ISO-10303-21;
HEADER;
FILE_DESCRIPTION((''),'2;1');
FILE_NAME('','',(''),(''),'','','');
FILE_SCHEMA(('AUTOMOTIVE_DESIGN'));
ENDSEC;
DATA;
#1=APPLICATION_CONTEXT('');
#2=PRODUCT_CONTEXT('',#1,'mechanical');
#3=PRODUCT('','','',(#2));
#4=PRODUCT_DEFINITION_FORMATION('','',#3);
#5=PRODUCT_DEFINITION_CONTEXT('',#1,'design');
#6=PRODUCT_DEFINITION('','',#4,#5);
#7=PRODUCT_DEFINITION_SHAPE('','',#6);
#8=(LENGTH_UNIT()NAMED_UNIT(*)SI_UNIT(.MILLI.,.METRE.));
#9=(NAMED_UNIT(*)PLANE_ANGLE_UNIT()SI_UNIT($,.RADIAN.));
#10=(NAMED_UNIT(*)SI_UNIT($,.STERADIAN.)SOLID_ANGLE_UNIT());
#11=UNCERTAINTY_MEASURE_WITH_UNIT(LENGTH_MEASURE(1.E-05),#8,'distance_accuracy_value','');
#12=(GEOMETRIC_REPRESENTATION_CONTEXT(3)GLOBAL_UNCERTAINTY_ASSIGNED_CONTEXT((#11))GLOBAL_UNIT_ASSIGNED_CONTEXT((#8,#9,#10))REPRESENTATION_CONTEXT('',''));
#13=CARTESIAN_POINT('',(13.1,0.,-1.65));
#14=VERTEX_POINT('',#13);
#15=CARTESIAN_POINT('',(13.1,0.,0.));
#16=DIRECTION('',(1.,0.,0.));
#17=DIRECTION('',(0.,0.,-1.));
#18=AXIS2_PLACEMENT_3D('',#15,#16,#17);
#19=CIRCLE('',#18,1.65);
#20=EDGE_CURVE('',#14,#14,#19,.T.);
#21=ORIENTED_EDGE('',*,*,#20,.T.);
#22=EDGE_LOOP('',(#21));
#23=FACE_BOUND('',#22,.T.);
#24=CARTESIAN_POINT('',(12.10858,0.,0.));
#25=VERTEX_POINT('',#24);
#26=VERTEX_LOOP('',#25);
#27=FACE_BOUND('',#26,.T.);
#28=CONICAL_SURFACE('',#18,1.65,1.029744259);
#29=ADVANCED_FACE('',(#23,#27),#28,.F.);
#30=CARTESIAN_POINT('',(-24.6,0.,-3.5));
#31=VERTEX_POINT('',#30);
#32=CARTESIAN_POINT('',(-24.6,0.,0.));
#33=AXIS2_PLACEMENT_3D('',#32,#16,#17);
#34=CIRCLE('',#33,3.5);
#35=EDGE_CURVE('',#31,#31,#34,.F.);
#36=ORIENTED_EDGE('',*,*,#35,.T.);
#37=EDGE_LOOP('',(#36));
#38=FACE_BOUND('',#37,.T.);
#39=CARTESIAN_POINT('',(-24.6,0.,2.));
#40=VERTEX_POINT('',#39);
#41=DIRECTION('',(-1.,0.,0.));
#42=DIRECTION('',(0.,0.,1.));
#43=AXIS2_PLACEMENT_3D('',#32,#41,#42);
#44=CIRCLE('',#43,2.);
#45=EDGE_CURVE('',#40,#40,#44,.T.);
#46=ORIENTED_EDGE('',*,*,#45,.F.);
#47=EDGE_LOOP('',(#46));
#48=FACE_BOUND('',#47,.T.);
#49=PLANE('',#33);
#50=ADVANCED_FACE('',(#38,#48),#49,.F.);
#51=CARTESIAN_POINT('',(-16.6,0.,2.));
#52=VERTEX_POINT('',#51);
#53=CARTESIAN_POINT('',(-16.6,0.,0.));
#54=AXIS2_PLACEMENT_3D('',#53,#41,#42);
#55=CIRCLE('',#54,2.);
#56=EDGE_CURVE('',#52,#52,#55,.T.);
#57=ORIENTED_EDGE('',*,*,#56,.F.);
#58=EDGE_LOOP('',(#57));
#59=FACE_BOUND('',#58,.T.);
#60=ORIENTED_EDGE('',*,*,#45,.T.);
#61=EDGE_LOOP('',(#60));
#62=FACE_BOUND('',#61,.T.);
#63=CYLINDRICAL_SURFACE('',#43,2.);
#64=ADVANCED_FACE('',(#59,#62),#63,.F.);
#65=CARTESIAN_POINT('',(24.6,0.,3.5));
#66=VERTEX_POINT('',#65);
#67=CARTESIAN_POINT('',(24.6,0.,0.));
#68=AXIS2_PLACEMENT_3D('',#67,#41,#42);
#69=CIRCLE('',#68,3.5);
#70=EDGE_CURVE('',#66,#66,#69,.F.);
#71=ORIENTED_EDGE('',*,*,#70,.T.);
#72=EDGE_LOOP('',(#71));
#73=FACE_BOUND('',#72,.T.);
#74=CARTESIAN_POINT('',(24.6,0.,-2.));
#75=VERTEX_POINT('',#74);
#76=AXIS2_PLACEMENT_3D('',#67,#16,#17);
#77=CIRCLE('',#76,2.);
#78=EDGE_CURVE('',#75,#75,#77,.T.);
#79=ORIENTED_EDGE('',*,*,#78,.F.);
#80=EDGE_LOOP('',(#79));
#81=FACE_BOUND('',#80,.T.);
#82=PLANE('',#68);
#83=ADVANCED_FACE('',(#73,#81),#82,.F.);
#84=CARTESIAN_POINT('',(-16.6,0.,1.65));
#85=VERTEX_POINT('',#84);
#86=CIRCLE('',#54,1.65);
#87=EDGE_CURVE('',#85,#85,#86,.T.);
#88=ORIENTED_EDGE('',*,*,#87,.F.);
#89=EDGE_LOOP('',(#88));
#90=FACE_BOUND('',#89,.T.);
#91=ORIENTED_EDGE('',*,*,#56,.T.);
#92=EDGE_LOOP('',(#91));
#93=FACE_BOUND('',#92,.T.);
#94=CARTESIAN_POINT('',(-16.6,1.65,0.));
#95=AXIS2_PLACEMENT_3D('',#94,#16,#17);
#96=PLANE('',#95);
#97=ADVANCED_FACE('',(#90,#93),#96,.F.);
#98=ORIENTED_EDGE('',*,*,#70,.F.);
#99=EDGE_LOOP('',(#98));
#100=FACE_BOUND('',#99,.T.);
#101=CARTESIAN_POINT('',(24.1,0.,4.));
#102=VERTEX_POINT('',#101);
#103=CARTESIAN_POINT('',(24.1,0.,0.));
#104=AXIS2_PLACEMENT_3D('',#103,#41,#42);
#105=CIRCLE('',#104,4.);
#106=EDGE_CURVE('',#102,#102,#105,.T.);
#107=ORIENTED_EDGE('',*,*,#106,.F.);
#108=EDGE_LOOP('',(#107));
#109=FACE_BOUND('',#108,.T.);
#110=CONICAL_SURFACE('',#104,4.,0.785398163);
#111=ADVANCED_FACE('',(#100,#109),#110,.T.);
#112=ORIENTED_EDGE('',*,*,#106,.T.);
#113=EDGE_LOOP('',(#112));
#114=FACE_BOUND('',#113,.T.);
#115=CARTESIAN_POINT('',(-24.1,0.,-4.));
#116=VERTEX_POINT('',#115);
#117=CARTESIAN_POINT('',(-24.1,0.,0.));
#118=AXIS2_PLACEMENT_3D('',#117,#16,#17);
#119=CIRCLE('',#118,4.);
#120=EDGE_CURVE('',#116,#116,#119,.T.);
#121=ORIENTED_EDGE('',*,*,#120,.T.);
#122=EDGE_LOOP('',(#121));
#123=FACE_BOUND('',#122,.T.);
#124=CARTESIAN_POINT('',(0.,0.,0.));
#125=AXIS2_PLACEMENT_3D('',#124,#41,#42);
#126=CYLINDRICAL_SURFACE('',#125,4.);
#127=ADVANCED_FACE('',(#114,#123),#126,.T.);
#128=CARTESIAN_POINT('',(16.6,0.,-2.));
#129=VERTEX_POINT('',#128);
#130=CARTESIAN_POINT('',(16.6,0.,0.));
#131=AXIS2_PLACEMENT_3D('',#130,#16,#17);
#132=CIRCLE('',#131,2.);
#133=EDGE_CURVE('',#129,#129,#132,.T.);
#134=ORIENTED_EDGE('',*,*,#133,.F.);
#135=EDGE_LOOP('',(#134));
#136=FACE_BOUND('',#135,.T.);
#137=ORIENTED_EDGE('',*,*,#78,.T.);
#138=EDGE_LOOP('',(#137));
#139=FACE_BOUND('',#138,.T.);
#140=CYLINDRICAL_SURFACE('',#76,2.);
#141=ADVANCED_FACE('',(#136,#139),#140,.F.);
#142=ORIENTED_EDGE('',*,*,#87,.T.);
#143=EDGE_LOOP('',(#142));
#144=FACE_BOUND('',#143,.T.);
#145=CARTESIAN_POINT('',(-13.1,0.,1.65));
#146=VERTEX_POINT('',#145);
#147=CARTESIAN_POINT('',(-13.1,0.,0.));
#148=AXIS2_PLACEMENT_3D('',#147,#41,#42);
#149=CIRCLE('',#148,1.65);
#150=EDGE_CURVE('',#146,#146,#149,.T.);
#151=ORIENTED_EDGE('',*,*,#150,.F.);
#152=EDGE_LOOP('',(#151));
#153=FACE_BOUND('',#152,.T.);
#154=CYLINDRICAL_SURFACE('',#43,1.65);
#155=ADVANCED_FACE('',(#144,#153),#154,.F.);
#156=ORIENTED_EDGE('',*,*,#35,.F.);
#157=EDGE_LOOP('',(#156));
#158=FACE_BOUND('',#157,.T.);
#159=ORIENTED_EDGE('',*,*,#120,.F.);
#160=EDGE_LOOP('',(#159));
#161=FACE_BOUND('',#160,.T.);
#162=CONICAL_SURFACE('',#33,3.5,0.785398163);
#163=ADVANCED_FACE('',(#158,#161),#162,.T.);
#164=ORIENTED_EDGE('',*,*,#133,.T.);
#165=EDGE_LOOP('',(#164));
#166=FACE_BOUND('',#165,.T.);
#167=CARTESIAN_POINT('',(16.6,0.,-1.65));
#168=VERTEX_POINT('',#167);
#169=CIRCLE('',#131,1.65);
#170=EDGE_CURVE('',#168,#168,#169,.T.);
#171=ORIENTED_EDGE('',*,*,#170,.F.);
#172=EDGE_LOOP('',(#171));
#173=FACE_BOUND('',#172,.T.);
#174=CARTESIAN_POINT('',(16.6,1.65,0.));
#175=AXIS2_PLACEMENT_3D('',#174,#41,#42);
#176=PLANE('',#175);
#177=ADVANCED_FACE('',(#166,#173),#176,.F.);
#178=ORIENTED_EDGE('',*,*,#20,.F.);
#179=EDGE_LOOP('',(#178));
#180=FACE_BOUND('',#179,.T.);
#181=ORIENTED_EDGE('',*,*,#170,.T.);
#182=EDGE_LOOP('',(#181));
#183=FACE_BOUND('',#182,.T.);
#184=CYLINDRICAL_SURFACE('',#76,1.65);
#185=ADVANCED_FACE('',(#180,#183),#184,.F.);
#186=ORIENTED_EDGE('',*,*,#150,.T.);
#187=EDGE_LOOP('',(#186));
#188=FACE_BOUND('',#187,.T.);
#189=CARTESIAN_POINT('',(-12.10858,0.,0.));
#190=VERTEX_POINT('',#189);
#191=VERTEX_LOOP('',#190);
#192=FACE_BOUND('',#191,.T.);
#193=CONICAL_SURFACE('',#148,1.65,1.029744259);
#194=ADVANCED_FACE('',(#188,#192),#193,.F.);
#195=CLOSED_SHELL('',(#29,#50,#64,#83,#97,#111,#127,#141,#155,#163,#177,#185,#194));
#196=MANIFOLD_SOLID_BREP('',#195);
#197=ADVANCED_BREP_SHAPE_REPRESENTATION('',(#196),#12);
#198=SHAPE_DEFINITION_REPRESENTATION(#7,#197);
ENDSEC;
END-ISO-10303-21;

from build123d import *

# Parameters (mm, degrees)
SKETCH_1_W                     = 49.2
SKETCH_1_H                     = 4
M4X0_7_1_D                     = 3.3
M4X0_7_1_DEPTH                 = 11.5
M4X0_7_1_CBORE_D               = 4
M4X0_7_1_CBORE_DEPTH           = 8
M4X0_7_1_TIP                   = 0.991420021
M4X0_7_1_ON_FACE_2_D           = 3.3
M4X0_7_1_ON_FACE_2_DEPTH       = 11.5
M4X0_7_1_ON_FACE_2_CBORE_D     = 4
M4X0_7_1_ON_FACE_2_CBORE_DEPTH = 8
M4X0_7_1_ON_FACE_2_TIP         = 0.991420021
CHAMFER_1_SIZE                 = 0.5


with BuildPart() as part:
    # ｽｹｯﾁ1 → 回転1 (revolve)
    with BuildSketch(Plane.XY, mode=Mode.PRIVATE) as revolve_1_sk:
        with Locations((0, 2)):
            Rectangle(SKETCH_1_W, SKETCH_1_H)
    revolve(revolve_1_sk.sketch.rotate(Axis((0, 0, 0), (1, 0, 0)), 90), axis=Axis((0, 0, 0), (1, 0, 0)))

    # M4x0.7 ねじ穴1
    with Locations(Plane(origin=(24.6, 0, 0), x_dir=(0, 0, 1), z_dir=(1, 0, 0))):
        with Locations((0, 0)):
            CounterBoreHole(M4X0_7_1_D / 2, M4X0_7_1_CBORE_D / 2, M4X0_7_1_CBORE_DEPTH, depth=M4X0_7_1_DEPTH)
            with Locations((0, 0, -(M4X0_7_1_DEPTH + M4X0_7_1_TIP / 2))):  # 118° drill point
                Cone(0, M4X0_7_1_D / 2, M4X0_7_1_TIP, mode=Mode.SUBTRACT)

    # M4x0.7 ねじ穴1 on face 2
    with Locations(Plane(origin=(-24.6, 0, 0), x_dir=(0, 0, -1), z_dir=(-1, 0, 0))):
        with Locations((0, 0)):
            CounterBoreHole(M4X0_7_1_ON_FACE_2_D / 2, M4X0_7_1_ON_FACE_2_CBORE_D / 2, M4X0_7_1_ON_FACE_2_CBORE_DEPTH, depth=M4X0_7_1_ON_FACE_2_DEPTH)
            with Locations((0, 0, -(M4X0_7_1_ON_FACE_2_DEPTH + M4X0_7_1_ON_FACE_2_TIP / 2))):  # 118° drill point
                Cone(0, M4X0_7_1_ON_FACE_2_D / 2, M4X0_7_1_ON_FACE_2_TIP, mode=Mode.SUBTRACT)

    # 面取り1
    chamfer_1_edges = [part.edges().sort_by_distance(p)[0] for p in [
        (24.6, 0, -4),
        (-24.6, 0, -4),
    ]]
    chamfer(chamfer_1_edges, length=CHAMFER_1_SIZE)


solid = part.part
